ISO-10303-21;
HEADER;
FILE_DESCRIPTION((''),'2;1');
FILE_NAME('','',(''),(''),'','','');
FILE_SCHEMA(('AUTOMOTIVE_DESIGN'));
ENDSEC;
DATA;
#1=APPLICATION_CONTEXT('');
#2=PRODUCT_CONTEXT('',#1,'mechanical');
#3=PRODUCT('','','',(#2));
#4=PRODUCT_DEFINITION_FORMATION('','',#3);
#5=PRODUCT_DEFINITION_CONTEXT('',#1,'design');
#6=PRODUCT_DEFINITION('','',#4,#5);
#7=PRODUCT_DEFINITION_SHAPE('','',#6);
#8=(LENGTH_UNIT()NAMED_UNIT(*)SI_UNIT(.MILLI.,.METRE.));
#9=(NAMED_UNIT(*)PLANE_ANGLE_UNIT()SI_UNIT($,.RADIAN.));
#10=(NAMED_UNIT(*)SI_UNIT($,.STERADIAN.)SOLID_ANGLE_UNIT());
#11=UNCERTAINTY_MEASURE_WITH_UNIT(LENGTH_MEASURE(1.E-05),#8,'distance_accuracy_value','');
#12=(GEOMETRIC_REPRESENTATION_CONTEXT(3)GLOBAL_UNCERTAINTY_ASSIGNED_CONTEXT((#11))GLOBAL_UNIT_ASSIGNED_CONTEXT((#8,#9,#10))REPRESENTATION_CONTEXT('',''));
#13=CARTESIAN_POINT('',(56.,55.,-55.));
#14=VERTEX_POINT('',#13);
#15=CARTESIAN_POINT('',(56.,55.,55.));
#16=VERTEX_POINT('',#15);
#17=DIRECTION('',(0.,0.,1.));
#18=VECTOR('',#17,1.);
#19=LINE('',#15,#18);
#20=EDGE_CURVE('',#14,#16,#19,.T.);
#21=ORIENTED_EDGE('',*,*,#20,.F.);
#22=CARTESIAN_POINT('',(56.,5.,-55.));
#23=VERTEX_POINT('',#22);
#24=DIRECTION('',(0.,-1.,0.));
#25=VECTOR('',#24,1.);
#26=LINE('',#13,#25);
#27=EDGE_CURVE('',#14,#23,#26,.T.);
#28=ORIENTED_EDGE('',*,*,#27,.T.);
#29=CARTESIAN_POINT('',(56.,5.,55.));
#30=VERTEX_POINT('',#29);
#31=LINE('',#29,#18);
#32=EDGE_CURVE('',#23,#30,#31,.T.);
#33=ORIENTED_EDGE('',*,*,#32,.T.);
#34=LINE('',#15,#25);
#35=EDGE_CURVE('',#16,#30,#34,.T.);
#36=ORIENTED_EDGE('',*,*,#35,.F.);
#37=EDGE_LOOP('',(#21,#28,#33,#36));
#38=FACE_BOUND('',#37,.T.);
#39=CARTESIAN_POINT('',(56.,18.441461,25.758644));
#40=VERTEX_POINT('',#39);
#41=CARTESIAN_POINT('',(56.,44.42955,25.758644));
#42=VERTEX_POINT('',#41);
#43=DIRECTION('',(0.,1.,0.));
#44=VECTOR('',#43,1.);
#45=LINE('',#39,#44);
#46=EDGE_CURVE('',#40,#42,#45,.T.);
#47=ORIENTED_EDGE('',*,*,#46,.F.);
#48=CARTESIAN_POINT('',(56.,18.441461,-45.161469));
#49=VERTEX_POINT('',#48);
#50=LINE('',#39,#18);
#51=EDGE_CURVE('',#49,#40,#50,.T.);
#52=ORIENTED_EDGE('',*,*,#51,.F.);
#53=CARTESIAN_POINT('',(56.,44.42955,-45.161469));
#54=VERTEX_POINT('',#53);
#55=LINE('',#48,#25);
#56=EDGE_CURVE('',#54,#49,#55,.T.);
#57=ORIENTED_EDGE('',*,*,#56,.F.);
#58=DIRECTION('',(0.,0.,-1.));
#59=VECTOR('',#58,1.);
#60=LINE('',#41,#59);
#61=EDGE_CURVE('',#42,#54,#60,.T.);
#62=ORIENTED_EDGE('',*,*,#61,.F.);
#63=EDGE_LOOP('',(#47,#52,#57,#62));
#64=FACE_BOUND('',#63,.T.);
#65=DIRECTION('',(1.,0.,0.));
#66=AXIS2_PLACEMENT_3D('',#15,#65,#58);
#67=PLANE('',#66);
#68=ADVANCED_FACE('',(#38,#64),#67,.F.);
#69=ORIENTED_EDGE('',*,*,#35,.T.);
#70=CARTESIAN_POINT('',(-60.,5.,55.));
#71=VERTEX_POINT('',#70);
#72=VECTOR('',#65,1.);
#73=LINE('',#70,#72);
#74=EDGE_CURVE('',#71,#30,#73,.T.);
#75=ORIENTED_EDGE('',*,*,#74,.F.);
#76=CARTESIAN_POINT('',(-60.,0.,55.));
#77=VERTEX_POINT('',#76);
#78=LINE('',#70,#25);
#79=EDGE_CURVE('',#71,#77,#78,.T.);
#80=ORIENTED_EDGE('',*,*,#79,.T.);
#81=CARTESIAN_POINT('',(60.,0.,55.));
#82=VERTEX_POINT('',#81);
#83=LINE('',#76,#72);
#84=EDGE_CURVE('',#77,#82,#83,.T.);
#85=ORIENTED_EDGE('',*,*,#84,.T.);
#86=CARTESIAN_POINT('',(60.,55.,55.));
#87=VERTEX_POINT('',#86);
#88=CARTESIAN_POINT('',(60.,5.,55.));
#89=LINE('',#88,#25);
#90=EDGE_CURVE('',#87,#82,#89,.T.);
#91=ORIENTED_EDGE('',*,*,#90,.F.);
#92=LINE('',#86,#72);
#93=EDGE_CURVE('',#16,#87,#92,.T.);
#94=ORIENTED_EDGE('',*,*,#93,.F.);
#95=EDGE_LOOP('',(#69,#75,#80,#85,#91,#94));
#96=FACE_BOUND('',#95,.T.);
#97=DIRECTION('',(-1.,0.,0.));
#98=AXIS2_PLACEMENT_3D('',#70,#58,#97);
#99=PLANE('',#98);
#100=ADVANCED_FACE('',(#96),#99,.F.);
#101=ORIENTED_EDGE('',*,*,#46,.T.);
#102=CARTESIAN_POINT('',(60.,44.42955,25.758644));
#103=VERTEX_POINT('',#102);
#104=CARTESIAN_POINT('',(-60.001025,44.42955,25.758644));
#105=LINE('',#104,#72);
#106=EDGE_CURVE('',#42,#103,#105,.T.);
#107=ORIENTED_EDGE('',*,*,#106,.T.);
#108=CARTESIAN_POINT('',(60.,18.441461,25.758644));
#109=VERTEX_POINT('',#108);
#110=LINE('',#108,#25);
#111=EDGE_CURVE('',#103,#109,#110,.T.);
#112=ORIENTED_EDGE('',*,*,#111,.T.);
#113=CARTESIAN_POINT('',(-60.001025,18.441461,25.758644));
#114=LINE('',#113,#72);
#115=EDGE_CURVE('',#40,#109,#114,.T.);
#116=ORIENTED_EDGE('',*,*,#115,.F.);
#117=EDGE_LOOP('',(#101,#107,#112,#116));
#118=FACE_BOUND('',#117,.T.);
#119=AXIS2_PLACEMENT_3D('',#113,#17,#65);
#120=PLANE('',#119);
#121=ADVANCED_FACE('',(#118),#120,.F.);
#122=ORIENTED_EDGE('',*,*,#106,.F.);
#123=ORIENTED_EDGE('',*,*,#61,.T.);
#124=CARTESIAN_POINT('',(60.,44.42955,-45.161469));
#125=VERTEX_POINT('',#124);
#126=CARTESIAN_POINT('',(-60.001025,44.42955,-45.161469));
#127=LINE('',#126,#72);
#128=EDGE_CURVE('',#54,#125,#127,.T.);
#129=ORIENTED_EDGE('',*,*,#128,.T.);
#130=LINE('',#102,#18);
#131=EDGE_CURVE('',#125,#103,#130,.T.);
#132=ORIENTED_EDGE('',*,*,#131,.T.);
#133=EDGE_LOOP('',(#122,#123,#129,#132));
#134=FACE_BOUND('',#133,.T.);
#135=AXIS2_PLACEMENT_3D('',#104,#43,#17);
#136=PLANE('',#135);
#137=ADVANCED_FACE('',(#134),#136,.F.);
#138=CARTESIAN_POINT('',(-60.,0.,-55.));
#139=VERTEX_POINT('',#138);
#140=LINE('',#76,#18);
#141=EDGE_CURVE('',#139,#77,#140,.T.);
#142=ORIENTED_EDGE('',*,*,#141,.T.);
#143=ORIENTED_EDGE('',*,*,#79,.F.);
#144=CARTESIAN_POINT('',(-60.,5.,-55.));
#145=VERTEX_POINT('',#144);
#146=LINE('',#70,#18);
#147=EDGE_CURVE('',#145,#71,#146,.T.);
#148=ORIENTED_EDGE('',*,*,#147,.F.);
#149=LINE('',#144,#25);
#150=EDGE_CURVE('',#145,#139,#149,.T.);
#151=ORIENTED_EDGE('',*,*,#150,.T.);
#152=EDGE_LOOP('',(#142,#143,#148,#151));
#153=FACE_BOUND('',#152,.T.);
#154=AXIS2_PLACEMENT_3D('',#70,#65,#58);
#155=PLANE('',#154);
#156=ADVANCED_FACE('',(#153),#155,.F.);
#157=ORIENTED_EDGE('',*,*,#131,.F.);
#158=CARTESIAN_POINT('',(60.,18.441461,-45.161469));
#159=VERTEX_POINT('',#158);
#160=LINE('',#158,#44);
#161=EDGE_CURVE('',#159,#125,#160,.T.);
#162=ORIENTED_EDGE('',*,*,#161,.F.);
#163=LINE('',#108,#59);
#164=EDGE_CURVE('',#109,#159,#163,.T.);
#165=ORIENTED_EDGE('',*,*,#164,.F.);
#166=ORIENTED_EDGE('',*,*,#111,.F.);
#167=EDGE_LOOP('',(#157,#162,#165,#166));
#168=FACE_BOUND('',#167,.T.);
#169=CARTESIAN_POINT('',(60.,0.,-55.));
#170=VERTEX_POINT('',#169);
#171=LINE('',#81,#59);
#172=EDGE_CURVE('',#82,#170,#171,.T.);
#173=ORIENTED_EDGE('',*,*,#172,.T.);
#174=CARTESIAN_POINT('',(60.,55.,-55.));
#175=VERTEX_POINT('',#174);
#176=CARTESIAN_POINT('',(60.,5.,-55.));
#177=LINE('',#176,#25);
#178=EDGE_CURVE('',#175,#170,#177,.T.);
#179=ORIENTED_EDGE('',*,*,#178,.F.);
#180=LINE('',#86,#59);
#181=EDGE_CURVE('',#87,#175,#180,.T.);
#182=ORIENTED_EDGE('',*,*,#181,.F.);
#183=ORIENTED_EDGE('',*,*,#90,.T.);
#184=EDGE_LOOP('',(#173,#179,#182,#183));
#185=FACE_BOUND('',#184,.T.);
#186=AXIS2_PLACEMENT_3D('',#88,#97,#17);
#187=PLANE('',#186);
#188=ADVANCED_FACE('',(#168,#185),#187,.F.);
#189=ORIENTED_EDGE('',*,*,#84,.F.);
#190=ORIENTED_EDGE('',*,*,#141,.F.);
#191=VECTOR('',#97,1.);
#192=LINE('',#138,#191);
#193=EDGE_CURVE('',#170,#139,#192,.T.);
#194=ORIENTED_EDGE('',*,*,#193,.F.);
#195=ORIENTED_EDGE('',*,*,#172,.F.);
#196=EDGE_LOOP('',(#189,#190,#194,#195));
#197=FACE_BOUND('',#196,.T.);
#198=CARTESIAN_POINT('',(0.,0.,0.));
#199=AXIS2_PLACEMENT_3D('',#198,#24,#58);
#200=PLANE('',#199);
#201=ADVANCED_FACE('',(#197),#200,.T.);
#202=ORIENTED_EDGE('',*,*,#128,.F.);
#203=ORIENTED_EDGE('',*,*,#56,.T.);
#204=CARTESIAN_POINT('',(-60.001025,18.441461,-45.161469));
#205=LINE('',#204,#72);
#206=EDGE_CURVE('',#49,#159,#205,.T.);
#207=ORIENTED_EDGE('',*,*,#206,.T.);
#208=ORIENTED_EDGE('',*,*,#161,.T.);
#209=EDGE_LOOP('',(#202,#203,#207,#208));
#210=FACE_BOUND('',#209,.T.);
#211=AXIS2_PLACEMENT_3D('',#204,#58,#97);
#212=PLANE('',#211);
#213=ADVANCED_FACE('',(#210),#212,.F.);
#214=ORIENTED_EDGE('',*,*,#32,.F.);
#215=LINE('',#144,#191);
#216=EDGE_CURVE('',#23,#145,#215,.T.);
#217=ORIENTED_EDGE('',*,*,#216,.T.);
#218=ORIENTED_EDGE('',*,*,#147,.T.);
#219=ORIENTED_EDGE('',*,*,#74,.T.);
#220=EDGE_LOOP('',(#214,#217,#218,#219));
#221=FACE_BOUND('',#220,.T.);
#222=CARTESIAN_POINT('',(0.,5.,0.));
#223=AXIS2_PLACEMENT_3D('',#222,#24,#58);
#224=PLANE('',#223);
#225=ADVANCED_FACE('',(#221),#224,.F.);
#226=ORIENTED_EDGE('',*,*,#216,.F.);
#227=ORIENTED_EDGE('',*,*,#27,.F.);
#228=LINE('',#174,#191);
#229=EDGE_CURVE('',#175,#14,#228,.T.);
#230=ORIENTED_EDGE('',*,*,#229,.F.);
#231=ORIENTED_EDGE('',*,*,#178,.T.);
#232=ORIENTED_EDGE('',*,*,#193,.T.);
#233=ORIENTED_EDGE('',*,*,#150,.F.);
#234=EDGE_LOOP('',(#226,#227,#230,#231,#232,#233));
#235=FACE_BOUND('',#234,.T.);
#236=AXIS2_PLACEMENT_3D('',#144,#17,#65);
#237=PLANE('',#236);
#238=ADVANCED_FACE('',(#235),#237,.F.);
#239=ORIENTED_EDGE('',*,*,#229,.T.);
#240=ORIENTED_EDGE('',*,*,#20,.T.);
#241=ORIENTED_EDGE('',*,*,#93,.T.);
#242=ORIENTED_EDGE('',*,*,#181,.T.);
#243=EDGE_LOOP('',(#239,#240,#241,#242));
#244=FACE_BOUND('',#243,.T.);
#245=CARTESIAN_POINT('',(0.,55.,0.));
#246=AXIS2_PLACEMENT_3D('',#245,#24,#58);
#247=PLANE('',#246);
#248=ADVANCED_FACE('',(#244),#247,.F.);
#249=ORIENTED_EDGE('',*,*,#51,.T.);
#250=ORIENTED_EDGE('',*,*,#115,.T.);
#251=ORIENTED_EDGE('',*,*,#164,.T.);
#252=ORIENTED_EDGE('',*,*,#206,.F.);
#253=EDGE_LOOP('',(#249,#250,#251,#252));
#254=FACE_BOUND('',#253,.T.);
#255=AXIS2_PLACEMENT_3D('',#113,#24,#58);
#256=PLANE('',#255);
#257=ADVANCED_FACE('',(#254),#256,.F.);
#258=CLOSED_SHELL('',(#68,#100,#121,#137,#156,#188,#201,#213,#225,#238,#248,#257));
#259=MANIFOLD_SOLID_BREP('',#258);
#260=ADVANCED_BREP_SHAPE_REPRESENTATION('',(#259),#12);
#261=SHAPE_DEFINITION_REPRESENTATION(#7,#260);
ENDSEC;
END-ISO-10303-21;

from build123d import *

# Parameters (mm, degrees)
SKETCH1_W           = 120
SKETCH1_H           = 110
BOSS_EXTRUDE1_DEPTH = 5
SKETCH2_W           = 4
SKETCH2_H           = 110
BOSS_EXTRUDE2_DEPTH = 50
CUT_EXTRUDE1_REACH  = 145.003
SKETCH3_W           = 70.920113649
SKETCH3_H           = 25.988088709


with BuildPart() as part:
    # Sketch1 → Boss-Extrude1 (new body)
    with BuildSketch(Plane(origin=(0, 0, 0), x_dir=(1, 0, 0), z_dir=(0, 1, 0))):
        Rectangle(SKETCH1_W, SKETCH1_H)
    extrude(amount=BOSS_EXTRUDE1_DEPTH)

    # Sketch2 → Boss-Extrude2 (add)
    with BuildSketch(Plane(origin=(0, 5, 0), x_dir=(1, 0, 0), z_dir=(0, 1, 0))):
        with Locations((58, 0)):
            Rectangle(SKETCH2_W, SKETCH2_H)
    extrude(amount=BOSS_EXTRUDE2_DEPTH)

    # Sketch3 → Cut-Extrude1 (cut, up to next)
    with BuildSketch(Plane(origin=(60, 0, 0), x_dir=(0, 0, -1), z_dir=(1, 0, 0)), mode=Mode.PRIVATE) as cut_extrude1_sk1:
        with Locations((9.701412532, 31.435505385)):
            Rectangle(SKETCH3_W, SKETCH3_H)
    cut_extrude1_tool1 = extrude(cut_extrude1_sk1.sketch, amount=-CUT_EXTRUDE1_REACH, mode=Mode.PRIVATE) & part.part
    add(cut_extrude1_tool1.solids().sort_by_distance((60, 31.435505, -9.701413))[0], mode=Mode.SUBTRACT)


solid = part.part
